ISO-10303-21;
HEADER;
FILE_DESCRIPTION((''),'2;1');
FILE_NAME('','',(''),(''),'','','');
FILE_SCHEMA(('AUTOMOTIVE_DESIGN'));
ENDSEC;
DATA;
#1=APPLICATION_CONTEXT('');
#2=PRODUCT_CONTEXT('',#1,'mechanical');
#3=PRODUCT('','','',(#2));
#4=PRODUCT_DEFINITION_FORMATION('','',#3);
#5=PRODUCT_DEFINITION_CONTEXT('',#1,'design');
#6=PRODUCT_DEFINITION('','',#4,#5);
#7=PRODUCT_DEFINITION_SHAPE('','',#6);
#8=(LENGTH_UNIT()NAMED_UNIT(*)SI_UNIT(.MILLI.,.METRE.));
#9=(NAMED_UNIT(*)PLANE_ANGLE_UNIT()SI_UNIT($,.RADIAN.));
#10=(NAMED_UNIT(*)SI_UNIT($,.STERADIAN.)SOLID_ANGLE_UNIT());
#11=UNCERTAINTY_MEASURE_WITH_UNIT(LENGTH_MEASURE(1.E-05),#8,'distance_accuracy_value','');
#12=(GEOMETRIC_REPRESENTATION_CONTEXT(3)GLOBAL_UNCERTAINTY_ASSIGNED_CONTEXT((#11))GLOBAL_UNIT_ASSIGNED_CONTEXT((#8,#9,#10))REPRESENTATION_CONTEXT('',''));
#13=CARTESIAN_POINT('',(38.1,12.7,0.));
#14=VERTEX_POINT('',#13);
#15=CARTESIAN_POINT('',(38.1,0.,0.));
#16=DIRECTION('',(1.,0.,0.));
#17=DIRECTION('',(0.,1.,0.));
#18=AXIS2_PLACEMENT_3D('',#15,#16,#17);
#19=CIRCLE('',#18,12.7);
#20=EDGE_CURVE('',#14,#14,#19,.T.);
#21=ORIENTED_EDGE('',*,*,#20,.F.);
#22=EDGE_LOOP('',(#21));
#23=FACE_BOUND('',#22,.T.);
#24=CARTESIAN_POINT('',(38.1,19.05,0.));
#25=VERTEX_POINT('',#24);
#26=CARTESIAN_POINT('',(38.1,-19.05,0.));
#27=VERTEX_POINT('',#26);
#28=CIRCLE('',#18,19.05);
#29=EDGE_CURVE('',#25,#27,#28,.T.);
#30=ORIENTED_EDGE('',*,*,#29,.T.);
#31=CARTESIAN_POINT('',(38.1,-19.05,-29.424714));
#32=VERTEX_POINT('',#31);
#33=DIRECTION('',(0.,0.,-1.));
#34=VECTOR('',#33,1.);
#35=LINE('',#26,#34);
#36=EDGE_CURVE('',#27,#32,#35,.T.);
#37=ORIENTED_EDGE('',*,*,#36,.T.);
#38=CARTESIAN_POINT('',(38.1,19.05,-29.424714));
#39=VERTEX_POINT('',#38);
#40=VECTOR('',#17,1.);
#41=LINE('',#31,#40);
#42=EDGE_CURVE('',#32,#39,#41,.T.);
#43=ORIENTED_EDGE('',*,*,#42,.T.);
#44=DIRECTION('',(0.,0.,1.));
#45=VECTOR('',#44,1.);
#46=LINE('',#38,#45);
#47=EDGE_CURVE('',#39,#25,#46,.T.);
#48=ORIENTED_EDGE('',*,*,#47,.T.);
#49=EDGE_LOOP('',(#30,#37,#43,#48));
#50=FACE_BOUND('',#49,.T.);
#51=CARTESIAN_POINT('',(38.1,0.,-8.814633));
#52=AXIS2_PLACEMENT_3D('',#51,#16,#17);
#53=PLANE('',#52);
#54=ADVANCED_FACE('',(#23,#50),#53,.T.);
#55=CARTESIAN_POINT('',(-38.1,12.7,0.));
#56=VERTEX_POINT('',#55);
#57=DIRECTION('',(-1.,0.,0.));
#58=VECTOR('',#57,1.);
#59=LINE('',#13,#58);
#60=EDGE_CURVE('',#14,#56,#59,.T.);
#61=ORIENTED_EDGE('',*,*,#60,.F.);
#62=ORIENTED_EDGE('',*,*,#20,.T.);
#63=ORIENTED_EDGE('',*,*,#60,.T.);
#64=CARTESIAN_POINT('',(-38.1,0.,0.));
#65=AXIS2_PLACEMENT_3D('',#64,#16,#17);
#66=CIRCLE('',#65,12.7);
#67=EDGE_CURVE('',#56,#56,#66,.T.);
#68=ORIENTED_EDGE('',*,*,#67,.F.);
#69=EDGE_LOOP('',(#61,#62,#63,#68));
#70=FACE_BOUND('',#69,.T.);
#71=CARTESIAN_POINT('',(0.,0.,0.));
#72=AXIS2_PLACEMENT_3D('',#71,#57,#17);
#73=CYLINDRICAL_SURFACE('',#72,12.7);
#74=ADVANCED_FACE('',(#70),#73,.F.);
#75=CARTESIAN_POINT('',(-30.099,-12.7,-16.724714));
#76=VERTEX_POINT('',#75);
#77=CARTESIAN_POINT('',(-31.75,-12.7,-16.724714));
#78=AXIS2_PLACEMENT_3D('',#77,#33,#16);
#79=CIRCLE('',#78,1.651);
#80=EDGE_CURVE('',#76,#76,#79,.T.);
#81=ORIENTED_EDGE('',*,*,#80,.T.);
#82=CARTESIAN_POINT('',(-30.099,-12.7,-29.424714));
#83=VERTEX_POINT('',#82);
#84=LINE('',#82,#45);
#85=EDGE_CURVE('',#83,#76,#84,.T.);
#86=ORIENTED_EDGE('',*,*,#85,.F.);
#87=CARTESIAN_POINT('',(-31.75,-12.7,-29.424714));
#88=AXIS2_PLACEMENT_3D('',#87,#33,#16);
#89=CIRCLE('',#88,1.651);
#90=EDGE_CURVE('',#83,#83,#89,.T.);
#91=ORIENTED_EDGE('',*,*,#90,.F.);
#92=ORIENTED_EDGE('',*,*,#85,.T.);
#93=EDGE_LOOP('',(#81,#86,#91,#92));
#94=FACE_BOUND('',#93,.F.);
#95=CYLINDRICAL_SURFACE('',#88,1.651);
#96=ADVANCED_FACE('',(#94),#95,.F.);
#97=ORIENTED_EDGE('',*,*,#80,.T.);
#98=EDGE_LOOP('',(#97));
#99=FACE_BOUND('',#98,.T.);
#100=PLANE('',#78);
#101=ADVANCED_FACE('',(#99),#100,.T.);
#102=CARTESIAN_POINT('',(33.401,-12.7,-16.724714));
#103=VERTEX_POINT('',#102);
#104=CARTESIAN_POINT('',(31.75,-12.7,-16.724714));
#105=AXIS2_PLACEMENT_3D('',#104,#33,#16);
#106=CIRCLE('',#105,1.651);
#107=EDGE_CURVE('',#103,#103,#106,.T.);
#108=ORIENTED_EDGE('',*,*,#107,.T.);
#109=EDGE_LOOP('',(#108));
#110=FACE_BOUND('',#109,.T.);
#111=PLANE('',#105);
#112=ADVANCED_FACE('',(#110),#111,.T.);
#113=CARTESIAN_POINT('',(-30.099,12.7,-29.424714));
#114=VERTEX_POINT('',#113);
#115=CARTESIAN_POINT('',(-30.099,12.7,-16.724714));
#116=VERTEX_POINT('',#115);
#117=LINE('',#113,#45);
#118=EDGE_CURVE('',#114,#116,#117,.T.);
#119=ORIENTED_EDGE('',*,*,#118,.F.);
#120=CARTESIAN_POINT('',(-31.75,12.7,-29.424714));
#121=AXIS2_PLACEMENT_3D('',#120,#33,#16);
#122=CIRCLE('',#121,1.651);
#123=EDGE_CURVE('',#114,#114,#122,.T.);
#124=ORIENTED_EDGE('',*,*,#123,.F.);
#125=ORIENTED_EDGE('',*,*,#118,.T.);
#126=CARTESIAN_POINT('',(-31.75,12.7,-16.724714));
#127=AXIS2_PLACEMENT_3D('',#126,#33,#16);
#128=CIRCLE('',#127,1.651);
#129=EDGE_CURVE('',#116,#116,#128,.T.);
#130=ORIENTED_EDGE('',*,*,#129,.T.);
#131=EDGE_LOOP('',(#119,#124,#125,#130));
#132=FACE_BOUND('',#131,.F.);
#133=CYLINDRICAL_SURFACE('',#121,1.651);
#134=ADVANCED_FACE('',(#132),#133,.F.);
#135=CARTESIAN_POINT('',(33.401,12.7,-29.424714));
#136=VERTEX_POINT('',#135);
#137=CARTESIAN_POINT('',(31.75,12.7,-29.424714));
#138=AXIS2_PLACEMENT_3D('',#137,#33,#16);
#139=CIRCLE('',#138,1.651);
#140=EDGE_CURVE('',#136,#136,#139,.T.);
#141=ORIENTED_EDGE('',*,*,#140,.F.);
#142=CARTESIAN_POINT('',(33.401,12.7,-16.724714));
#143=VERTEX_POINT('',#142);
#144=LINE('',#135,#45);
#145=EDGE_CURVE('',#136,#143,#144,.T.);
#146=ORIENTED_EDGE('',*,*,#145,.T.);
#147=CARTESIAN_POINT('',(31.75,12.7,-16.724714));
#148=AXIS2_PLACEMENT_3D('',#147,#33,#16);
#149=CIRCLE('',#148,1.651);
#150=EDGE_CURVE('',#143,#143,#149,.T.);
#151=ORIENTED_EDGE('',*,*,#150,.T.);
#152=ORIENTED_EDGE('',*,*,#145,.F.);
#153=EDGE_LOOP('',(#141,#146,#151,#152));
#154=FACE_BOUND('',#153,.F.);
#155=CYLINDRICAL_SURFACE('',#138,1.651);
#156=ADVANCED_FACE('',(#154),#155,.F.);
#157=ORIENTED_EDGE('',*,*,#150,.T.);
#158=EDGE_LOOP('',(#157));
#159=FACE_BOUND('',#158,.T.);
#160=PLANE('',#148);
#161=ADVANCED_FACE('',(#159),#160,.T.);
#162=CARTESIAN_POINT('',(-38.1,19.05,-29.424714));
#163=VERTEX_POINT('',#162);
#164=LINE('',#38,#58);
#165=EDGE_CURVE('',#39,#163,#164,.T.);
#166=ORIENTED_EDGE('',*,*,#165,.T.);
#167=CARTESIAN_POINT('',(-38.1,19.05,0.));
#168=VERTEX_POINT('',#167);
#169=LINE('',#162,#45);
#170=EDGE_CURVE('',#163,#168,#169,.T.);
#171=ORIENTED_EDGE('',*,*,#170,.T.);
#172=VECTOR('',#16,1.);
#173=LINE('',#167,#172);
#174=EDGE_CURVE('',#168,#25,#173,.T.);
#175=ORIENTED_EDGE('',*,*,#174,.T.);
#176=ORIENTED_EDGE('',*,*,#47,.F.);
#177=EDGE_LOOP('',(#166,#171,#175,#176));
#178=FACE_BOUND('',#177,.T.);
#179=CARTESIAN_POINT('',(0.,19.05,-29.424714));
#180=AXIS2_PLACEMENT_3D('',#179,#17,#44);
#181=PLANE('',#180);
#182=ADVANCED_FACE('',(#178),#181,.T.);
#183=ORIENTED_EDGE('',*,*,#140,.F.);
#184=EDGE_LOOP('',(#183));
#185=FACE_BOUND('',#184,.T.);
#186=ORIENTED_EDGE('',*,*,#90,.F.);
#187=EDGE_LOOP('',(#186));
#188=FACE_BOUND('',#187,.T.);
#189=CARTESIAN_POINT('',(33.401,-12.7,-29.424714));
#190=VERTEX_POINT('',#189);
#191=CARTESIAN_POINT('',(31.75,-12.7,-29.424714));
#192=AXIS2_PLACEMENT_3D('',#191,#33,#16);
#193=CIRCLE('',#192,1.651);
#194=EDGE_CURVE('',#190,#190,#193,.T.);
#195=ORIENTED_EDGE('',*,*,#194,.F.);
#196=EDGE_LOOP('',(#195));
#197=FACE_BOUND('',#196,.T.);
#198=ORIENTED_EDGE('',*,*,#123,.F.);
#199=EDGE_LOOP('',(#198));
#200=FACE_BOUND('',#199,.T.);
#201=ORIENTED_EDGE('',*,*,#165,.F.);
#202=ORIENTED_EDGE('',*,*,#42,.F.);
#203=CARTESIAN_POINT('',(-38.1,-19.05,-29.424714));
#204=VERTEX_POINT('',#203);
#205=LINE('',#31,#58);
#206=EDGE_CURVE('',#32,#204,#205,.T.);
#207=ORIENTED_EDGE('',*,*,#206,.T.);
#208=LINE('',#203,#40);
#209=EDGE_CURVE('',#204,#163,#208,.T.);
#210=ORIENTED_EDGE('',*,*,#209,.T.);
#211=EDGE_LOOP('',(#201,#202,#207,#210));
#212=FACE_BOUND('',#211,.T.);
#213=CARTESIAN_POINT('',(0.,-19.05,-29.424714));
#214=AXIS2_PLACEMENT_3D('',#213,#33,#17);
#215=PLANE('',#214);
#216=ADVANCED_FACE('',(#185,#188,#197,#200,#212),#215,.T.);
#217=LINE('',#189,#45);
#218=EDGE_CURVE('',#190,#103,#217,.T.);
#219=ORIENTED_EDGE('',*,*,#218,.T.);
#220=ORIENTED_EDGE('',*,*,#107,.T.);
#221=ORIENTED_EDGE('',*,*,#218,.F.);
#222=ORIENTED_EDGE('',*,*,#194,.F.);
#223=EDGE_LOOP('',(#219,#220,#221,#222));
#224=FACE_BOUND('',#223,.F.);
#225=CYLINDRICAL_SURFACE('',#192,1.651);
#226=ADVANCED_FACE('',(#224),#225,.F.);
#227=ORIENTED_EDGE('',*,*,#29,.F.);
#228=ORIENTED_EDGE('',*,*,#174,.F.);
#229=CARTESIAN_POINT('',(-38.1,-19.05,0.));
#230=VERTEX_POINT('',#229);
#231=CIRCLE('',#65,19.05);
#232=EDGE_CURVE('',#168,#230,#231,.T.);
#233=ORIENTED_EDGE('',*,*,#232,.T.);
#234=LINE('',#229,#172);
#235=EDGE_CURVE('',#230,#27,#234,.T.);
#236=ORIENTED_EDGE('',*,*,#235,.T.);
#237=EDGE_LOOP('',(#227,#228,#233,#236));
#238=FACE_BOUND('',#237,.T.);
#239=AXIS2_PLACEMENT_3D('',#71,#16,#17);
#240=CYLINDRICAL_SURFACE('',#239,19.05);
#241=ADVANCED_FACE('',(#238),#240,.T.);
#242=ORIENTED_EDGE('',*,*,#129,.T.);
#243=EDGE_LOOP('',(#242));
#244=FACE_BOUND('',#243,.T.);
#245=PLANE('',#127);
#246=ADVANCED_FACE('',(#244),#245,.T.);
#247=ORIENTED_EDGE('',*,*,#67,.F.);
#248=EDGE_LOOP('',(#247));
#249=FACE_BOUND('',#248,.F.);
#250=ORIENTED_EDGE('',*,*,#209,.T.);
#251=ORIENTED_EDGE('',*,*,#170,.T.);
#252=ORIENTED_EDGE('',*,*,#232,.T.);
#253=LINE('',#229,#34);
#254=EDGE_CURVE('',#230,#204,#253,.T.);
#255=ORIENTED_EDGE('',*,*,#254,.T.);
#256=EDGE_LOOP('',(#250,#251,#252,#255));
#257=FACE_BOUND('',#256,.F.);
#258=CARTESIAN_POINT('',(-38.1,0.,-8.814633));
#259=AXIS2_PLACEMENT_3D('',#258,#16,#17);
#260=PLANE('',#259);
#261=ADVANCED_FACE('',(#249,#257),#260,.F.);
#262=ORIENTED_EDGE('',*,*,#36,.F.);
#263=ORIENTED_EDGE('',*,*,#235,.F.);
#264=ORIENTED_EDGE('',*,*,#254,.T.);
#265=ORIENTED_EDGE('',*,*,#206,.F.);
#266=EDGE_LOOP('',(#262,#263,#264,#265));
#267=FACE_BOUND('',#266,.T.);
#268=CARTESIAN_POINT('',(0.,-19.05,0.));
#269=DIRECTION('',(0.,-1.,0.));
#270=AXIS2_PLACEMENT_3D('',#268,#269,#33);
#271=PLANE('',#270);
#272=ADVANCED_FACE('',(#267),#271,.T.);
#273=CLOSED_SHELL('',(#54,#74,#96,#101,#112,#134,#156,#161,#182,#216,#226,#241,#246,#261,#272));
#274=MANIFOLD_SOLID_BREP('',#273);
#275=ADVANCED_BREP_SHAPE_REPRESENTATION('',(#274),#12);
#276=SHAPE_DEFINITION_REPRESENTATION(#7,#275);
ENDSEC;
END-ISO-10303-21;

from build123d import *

# Parameters (mm, degrees)
F0_R     = 12.7
F1_DEPTH = 38.1
F2_R     = 1.651
F3_DEPTH = 12.7


with BuildPart() as f1:
    # F0 (on Right) → F1 (new body, symmetric)
    with BuildSketch(Plane.YZ):
        with BuildLine():
            Line((19.05, -29.424714), (19.05, 0))
            ThreePointArc((19.05, 0), (0, 19.05), (-19.05, 0))
            Line((-19.05, 0), (-19.05, -29.424714))
            Line((-19.05, -29.424714), (19.05, -29.424714))
        make_face()
        Circle(F0_R, mode=Mode.SUBTRACT)
    extrude(amount=F1_DEPTH, both=True)

    # F2 (on face) → F3 (cut)
    with BuildSketch(Plane(origin=(0, 0, -29.424714), x_dir=(1, 0, 0), z_dir=(0, 0, -1))):
        with Locations((31.75, 12.7)):
            Circle(F2_R)
        with Locations((-31.75, 12.7)):
            Circle(F2_R)
        with Locations((-31.75, -12.7)):
            Circle(F2_R)
        with Locations((31.75, -12.7)):
            Circle(F2_R)
    extrude(amount=-F3_DEPTH, mode=Mode.SUBTRACT)


solid = f1.part
